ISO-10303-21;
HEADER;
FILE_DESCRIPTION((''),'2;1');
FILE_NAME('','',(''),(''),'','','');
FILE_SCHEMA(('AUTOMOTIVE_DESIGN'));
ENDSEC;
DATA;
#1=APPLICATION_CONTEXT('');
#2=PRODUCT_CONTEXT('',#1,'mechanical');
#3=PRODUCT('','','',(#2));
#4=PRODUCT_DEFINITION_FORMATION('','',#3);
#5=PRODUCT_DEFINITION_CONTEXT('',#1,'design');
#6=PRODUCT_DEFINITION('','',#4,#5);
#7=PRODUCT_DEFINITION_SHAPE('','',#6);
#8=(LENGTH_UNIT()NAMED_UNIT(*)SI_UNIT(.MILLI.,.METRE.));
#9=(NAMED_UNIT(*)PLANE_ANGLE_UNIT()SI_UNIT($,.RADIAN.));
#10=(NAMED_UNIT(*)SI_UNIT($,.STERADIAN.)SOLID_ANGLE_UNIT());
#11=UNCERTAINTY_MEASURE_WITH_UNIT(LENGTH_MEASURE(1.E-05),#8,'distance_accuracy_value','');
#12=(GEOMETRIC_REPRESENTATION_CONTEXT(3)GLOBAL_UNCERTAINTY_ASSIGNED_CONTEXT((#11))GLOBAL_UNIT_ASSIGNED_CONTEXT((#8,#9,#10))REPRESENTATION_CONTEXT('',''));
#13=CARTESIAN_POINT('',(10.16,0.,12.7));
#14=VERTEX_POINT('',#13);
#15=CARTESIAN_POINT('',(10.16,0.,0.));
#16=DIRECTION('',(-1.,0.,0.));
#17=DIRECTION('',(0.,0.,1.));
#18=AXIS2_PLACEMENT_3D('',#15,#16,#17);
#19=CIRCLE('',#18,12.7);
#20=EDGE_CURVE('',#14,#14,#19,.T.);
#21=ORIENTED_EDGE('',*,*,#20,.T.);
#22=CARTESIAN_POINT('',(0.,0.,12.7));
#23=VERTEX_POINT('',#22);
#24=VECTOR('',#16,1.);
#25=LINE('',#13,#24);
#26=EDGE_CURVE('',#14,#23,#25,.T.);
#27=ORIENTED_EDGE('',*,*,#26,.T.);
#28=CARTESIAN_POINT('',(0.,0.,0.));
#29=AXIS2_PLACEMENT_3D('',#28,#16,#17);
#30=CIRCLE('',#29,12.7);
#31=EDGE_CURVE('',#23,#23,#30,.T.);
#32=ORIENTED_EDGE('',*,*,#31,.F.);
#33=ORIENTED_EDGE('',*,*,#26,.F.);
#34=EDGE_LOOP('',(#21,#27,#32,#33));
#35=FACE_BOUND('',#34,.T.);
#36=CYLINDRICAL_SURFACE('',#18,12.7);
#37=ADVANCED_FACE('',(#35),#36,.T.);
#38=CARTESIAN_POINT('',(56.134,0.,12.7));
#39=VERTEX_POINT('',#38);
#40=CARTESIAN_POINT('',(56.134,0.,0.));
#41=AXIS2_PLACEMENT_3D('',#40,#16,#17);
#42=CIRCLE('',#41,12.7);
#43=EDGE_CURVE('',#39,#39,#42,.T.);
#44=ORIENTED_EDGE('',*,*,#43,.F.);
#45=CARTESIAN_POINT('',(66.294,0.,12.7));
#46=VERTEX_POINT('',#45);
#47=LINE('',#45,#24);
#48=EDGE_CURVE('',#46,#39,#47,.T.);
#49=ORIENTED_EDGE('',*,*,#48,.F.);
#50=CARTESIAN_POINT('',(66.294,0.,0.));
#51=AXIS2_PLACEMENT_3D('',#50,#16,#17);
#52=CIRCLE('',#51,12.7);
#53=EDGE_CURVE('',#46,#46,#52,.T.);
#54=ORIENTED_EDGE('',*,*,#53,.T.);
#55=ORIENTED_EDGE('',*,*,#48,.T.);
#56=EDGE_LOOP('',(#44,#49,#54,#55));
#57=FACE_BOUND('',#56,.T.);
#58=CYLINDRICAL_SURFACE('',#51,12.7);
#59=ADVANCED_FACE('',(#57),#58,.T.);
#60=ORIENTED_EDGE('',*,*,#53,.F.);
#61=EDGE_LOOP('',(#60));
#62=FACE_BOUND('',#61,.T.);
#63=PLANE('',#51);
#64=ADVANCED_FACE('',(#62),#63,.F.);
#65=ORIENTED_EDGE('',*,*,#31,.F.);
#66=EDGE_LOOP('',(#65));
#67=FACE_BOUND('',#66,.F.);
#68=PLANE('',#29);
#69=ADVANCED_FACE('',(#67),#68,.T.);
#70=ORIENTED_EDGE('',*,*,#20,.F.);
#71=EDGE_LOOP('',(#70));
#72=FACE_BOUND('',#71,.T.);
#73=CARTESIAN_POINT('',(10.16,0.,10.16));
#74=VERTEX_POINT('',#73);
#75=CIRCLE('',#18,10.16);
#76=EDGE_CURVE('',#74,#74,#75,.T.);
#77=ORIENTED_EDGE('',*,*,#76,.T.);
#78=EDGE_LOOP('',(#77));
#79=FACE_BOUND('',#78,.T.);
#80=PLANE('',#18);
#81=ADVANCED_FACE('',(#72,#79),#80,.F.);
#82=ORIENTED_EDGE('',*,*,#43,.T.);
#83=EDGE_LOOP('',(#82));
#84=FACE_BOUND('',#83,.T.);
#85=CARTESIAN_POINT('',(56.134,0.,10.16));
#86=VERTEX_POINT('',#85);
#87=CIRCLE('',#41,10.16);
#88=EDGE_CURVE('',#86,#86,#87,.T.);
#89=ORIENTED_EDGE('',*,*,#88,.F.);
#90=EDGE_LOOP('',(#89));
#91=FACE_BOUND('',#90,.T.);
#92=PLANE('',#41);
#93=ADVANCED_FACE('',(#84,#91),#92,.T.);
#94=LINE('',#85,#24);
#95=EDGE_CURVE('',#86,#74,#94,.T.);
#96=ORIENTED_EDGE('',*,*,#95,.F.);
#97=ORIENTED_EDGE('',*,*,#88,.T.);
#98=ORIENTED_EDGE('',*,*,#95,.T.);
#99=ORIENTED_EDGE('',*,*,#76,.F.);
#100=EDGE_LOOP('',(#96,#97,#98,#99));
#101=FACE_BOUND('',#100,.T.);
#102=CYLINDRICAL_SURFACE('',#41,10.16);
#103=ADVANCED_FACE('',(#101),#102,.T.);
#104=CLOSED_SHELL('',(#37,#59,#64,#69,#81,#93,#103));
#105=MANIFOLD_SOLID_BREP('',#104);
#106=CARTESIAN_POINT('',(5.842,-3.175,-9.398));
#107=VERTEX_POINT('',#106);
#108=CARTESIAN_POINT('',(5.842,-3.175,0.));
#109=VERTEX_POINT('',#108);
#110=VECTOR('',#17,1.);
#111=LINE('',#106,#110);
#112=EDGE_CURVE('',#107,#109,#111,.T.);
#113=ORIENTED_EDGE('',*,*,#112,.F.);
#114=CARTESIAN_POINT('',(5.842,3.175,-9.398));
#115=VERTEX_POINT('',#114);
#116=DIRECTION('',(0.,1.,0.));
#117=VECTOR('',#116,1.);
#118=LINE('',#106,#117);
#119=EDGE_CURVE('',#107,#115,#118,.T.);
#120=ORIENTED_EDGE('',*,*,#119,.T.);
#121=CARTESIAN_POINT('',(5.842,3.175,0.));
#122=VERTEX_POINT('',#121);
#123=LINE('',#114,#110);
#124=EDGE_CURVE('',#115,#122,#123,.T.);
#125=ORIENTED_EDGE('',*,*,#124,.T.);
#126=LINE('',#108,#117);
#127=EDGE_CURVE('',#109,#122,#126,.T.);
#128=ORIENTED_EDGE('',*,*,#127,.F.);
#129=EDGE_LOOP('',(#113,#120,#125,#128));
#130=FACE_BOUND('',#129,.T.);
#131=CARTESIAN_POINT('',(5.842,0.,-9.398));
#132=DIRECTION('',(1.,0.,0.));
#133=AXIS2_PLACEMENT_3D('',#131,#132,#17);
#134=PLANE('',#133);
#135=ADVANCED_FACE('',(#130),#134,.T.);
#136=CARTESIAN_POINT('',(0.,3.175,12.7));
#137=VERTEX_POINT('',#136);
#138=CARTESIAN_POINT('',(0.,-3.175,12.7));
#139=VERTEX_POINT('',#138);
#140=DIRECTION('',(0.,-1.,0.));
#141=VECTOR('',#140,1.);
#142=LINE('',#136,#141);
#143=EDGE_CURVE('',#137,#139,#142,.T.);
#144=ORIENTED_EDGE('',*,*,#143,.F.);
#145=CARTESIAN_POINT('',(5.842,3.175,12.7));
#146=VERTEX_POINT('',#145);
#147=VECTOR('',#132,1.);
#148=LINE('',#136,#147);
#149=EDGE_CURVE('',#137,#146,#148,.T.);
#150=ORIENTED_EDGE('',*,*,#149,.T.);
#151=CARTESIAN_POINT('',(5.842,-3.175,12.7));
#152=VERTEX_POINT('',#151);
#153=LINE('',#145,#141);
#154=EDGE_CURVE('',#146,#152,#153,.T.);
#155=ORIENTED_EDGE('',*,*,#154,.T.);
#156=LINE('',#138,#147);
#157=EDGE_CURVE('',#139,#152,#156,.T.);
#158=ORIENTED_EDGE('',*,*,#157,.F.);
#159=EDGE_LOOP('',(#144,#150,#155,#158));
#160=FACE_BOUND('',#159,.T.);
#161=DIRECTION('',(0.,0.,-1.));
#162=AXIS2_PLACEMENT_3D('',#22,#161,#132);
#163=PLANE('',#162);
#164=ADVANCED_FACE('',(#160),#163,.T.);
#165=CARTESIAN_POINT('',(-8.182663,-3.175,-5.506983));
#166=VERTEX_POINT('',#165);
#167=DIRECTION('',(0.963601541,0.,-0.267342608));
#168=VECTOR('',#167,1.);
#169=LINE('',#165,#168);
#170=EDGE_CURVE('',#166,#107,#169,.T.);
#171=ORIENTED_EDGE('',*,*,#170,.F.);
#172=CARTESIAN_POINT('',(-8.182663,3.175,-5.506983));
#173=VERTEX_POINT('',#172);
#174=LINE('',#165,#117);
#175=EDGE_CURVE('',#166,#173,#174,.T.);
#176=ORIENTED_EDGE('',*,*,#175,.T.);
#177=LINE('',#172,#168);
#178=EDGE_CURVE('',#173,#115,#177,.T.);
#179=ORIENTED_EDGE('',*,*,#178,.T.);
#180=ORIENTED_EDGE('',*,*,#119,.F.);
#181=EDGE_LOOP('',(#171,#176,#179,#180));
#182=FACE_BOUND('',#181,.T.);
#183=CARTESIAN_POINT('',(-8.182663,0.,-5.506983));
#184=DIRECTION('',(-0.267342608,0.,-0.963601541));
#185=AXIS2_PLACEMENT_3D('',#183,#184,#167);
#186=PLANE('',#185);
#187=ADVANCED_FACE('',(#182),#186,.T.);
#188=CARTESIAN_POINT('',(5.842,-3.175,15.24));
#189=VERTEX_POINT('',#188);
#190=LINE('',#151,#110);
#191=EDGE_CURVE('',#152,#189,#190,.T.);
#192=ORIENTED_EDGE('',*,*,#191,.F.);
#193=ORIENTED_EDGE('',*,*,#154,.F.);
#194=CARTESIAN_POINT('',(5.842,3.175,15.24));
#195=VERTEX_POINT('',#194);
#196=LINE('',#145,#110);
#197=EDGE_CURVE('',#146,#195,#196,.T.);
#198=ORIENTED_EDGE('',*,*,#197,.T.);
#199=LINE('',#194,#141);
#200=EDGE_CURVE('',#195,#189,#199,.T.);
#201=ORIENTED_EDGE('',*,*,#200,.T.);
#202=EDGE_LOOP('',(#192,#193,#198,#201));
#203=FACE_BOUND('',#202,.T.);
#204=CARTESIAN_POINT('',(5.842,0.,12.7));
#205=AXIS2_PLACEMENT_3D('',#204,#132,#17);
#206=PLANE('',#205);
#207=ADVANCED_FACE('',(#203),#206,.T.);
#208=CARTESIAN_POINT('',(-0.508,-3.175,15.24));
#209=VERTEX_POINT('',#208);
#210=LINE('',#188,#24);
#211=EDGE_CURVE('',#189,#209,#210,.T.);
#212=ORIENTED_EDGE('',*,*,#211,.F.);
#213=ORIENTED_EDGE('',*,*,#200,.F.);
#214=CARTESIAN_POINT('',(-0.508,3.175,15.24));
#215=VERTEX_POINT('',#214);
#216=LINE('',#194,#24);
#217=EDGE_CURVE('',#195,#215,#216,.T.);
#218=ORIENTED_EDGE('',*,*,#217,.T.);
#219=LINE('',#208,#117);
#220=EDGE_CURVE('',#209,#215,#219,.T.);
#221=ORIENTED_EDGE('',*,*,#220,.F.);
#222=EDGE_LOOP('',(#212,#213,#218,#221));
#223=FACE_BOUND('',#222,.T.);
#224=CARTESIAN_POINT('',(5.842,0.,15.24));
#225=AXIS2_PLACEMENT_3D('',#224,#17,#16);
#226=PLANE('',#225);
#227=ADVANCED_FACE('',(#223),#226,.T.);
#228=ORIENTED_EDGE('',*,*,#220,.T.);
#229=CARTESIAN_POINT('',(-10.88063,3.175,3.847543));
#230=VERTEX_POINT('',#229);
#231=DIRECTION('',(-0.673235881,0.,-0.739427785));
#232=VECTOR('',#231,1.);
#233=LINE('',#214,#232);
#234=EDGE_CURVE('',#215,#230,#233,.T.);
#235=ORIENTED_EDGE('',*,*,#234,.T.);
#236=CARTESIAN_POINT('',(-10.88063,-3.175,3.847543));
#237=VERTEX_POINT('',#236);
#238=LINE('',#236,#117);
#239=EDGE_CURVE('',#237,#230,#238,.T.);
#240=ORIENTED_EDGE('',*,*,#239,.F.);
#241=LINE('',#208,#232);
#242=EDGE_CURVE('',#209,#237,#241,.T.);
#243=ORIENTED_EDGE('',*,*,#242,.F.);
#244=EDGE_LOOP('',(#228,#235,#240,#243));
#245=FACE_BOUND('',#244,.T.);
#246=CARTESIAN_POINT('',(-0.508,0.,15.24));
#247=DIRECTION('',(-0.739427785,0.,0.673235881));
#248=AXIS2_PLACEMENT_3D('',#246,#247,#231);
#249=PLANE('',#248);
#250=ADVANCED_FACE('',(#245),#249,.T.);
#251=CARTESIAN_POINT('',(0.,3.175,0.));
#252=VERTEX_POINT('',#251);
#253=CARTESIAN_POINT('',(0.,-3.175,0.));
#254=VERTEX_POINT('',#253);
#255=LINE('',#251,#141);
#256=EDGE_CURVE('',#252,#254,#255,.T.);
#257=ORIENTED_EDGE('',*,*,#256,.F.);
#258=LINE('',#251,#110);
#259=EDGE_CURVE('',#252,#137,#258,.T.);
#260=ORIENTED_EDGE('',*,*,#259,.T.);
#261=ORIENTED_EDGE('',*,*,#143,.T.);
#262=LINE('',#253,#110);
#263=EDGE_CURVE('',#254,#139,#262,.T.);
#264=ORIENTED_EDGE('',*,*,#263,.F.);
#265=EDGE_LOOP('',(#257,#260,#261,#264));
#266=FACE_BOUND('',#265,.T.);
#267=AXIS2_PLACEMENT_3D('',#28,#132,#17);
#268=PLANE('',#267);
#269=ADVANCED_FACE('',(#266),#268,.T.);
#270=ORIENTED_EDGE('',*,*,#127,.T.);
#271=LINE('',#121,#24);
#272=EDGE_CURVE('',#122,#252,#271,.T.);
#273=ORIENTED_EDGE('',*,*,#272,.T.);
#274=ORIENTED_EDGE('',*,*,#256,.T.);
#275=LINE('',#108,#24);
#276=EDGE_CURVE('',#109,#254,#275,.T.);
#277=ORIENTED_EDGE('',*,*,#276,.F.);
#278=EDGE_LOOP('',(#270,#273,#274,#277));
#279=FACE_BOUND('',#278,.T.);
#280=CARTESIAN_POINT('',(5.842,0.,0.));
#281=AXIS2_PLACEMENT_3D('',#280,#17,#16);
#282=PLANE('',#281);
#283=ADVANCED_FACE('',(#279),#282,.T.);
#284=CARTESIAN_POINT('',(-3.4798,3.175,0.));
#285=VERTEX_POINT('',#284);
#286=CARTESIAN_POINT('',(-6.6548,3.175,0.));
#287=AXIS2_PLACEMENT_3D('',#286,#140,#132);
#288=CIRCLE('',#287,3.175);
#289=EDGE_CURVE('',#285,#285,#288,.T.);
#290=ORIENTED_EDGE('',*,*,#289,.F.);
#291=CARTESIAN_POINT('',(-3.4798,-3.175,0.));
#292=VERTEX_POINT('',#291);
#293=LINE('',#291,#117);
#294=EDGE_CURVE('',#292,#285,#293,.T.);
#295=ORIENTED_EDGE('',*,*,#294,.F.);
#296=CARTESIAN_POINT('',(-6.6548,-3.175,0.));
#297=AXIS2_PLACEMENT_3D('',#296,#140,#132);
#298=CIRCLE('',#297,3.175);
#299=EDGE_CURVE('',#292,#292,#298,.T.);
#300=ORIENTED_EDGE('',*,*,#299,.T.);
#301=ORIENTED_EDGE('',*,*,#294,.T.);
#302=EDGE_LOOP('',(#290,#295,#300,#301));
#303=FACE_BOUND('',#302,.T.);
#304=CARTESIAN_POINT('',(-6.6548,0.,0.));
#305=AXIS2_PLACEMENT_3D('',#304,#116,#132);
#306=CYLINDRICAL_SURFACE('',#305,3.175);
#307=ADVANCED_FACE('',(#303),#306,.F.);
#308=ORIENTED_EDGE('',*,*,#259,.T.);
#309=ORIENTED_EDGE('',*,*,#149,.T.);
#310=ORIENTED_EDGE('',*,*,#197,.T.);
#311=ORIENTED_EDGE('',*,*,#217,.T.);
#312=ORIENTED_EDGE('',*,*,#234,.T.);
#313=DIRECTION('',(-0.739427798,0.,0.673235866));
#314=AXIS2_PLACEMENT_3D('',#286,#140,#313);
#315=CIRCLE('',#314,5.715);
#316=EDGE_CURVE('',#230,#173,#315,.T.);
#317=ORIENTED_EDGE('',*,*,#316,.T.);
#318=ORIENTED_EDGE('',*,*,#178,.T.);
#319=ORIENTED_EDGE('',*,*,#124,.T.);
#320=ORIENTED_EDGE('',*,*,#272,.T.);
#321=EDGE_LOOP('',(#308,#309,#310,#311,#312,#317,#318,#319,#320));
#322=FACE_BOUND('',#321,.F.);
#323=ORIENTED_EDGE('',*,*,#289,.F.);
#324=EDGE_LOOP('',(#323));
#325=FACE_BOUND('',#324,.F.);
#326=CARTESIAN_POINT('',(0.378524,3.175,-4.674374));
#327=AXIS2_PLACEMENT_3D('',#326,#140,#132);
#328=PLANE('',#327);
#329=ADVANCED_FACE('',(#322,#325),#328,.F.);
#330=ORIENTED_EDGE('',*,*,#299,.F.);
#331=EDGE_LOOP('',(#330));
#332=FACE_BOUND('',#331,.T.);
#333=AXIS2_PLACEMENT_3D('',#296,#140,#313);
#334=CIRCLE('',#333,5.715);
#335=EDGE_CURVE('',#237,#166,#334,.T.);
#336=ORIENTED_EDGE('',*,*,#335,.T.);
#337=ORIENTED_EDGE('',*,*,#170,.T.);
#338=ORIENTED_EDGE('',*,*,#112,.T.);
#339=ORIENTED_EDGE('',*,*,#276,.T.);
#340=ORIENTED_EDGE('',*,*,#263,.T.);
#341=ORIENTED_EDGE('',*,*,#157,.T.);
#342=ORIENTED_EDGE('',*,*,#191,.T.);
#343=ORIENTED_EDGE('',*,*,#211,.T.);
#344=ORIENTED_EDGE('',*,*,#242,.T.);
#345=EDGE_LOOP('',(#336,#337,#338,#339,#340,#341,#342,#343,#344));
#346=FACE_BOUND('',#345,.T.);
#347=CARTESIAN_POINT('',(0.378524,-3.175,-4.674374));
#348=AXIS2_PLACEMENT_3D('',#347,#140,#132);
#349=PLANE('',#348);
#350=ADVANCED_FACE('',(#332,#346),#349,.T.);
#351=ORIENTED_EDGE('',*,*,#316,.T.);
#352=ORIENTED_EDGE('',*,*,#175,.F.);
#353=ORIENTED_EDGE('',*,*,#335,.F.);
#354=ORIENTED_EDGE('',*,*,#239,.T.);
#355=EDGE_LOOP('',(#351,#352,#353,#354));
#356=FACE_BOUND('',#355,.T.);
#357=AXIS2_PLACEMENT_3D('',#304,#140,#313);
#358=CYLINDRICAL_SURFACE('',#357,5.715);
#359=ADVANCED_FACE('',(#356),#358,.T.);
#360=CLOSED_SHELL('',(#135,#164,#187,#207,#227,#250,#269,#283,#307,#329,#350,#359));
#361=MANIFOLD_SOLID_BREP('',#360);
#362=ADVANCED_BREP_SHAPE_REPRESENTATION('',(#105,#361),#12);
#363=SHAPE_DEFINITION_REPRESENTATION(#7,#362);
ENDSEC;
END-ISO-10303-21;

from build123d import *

# Parameters (mm, degrees)
F0_W     = 5.842
F0_H     = 12.7
F0_R     = 3.175
F2_DEPTH = 3.175


with BuildPart() as f1:
    # F0 (on Front) → F1 (revolve)
    with BuildSketch(Plane.XZ):
        Polygon((5.842, 12.7), (5.842, 0), (66.294, 0), (66.294, 12.7), (56.134, 12.7), (56.134, 10.16), (10.16, 10.16), (10.16, 12.7), align=None)
        with Locations((2.921, 6.35)):
            Rectangle(F0_W, F0_H)
    revolve(axis=Axis((33.147, 0, 0), (-1, 0, 0)))


with BuildPart() as f2:
    # F0 (on Front) → F2 (new body, symmetric)
    with BuildSketch(Plane.XZ):
        with BuildLine():
            Line((5.842, 0), (0, 0))
            Line((0, 0), (-0.9398, 0))
            ThreePointArc((-0.9398, 0), (-3.195791, -4.549339), (-8.182663, -5.506983))
            Line((-8.182663, -5.506983), (5.842, -9.398))
            Line((5.842, -9.398), (5.842, 0))
        make_face()
        with BuildLine():
            Line((-0.9398, 0), (0, 0))
            Line((0, 0), (0, 12.7))
            Line((0, 12.7), (5.842, 12.7))
            Line((5.842, 12.7), (5.842, 15.24))
            Line((5.842, 15.24), (-0.508, 15.24))
            Line((-0.508, 15.24), (-10.88063, 3.847543))
            ThreePointArc((-10.88063, 3.847543), (-4.591961, 5.329721), (-0.9398, 0))
        make_face()
        with BuildLine():
            ThreePointArc((-8.182663, -5.506983), (-3.195791, -4.549339), (-0.9398, 0))
            ThreePointArc((-0.9398, 0), (-4.591961, 5.329721), (-10.88063, 3.847543))
            ThreePointArc((-10.88063, 3.847543), (-12.145978, -1.583727), (-8.182663, -5.506983))
        make_face()
        with Locations((-6.6548, 0)):
            Circle(F0_R, mode=Mode.SUBTRACT)
    extrude(amount=F2_DEPTH, both=True)


solid = Compound([f1.part, f2.part])
